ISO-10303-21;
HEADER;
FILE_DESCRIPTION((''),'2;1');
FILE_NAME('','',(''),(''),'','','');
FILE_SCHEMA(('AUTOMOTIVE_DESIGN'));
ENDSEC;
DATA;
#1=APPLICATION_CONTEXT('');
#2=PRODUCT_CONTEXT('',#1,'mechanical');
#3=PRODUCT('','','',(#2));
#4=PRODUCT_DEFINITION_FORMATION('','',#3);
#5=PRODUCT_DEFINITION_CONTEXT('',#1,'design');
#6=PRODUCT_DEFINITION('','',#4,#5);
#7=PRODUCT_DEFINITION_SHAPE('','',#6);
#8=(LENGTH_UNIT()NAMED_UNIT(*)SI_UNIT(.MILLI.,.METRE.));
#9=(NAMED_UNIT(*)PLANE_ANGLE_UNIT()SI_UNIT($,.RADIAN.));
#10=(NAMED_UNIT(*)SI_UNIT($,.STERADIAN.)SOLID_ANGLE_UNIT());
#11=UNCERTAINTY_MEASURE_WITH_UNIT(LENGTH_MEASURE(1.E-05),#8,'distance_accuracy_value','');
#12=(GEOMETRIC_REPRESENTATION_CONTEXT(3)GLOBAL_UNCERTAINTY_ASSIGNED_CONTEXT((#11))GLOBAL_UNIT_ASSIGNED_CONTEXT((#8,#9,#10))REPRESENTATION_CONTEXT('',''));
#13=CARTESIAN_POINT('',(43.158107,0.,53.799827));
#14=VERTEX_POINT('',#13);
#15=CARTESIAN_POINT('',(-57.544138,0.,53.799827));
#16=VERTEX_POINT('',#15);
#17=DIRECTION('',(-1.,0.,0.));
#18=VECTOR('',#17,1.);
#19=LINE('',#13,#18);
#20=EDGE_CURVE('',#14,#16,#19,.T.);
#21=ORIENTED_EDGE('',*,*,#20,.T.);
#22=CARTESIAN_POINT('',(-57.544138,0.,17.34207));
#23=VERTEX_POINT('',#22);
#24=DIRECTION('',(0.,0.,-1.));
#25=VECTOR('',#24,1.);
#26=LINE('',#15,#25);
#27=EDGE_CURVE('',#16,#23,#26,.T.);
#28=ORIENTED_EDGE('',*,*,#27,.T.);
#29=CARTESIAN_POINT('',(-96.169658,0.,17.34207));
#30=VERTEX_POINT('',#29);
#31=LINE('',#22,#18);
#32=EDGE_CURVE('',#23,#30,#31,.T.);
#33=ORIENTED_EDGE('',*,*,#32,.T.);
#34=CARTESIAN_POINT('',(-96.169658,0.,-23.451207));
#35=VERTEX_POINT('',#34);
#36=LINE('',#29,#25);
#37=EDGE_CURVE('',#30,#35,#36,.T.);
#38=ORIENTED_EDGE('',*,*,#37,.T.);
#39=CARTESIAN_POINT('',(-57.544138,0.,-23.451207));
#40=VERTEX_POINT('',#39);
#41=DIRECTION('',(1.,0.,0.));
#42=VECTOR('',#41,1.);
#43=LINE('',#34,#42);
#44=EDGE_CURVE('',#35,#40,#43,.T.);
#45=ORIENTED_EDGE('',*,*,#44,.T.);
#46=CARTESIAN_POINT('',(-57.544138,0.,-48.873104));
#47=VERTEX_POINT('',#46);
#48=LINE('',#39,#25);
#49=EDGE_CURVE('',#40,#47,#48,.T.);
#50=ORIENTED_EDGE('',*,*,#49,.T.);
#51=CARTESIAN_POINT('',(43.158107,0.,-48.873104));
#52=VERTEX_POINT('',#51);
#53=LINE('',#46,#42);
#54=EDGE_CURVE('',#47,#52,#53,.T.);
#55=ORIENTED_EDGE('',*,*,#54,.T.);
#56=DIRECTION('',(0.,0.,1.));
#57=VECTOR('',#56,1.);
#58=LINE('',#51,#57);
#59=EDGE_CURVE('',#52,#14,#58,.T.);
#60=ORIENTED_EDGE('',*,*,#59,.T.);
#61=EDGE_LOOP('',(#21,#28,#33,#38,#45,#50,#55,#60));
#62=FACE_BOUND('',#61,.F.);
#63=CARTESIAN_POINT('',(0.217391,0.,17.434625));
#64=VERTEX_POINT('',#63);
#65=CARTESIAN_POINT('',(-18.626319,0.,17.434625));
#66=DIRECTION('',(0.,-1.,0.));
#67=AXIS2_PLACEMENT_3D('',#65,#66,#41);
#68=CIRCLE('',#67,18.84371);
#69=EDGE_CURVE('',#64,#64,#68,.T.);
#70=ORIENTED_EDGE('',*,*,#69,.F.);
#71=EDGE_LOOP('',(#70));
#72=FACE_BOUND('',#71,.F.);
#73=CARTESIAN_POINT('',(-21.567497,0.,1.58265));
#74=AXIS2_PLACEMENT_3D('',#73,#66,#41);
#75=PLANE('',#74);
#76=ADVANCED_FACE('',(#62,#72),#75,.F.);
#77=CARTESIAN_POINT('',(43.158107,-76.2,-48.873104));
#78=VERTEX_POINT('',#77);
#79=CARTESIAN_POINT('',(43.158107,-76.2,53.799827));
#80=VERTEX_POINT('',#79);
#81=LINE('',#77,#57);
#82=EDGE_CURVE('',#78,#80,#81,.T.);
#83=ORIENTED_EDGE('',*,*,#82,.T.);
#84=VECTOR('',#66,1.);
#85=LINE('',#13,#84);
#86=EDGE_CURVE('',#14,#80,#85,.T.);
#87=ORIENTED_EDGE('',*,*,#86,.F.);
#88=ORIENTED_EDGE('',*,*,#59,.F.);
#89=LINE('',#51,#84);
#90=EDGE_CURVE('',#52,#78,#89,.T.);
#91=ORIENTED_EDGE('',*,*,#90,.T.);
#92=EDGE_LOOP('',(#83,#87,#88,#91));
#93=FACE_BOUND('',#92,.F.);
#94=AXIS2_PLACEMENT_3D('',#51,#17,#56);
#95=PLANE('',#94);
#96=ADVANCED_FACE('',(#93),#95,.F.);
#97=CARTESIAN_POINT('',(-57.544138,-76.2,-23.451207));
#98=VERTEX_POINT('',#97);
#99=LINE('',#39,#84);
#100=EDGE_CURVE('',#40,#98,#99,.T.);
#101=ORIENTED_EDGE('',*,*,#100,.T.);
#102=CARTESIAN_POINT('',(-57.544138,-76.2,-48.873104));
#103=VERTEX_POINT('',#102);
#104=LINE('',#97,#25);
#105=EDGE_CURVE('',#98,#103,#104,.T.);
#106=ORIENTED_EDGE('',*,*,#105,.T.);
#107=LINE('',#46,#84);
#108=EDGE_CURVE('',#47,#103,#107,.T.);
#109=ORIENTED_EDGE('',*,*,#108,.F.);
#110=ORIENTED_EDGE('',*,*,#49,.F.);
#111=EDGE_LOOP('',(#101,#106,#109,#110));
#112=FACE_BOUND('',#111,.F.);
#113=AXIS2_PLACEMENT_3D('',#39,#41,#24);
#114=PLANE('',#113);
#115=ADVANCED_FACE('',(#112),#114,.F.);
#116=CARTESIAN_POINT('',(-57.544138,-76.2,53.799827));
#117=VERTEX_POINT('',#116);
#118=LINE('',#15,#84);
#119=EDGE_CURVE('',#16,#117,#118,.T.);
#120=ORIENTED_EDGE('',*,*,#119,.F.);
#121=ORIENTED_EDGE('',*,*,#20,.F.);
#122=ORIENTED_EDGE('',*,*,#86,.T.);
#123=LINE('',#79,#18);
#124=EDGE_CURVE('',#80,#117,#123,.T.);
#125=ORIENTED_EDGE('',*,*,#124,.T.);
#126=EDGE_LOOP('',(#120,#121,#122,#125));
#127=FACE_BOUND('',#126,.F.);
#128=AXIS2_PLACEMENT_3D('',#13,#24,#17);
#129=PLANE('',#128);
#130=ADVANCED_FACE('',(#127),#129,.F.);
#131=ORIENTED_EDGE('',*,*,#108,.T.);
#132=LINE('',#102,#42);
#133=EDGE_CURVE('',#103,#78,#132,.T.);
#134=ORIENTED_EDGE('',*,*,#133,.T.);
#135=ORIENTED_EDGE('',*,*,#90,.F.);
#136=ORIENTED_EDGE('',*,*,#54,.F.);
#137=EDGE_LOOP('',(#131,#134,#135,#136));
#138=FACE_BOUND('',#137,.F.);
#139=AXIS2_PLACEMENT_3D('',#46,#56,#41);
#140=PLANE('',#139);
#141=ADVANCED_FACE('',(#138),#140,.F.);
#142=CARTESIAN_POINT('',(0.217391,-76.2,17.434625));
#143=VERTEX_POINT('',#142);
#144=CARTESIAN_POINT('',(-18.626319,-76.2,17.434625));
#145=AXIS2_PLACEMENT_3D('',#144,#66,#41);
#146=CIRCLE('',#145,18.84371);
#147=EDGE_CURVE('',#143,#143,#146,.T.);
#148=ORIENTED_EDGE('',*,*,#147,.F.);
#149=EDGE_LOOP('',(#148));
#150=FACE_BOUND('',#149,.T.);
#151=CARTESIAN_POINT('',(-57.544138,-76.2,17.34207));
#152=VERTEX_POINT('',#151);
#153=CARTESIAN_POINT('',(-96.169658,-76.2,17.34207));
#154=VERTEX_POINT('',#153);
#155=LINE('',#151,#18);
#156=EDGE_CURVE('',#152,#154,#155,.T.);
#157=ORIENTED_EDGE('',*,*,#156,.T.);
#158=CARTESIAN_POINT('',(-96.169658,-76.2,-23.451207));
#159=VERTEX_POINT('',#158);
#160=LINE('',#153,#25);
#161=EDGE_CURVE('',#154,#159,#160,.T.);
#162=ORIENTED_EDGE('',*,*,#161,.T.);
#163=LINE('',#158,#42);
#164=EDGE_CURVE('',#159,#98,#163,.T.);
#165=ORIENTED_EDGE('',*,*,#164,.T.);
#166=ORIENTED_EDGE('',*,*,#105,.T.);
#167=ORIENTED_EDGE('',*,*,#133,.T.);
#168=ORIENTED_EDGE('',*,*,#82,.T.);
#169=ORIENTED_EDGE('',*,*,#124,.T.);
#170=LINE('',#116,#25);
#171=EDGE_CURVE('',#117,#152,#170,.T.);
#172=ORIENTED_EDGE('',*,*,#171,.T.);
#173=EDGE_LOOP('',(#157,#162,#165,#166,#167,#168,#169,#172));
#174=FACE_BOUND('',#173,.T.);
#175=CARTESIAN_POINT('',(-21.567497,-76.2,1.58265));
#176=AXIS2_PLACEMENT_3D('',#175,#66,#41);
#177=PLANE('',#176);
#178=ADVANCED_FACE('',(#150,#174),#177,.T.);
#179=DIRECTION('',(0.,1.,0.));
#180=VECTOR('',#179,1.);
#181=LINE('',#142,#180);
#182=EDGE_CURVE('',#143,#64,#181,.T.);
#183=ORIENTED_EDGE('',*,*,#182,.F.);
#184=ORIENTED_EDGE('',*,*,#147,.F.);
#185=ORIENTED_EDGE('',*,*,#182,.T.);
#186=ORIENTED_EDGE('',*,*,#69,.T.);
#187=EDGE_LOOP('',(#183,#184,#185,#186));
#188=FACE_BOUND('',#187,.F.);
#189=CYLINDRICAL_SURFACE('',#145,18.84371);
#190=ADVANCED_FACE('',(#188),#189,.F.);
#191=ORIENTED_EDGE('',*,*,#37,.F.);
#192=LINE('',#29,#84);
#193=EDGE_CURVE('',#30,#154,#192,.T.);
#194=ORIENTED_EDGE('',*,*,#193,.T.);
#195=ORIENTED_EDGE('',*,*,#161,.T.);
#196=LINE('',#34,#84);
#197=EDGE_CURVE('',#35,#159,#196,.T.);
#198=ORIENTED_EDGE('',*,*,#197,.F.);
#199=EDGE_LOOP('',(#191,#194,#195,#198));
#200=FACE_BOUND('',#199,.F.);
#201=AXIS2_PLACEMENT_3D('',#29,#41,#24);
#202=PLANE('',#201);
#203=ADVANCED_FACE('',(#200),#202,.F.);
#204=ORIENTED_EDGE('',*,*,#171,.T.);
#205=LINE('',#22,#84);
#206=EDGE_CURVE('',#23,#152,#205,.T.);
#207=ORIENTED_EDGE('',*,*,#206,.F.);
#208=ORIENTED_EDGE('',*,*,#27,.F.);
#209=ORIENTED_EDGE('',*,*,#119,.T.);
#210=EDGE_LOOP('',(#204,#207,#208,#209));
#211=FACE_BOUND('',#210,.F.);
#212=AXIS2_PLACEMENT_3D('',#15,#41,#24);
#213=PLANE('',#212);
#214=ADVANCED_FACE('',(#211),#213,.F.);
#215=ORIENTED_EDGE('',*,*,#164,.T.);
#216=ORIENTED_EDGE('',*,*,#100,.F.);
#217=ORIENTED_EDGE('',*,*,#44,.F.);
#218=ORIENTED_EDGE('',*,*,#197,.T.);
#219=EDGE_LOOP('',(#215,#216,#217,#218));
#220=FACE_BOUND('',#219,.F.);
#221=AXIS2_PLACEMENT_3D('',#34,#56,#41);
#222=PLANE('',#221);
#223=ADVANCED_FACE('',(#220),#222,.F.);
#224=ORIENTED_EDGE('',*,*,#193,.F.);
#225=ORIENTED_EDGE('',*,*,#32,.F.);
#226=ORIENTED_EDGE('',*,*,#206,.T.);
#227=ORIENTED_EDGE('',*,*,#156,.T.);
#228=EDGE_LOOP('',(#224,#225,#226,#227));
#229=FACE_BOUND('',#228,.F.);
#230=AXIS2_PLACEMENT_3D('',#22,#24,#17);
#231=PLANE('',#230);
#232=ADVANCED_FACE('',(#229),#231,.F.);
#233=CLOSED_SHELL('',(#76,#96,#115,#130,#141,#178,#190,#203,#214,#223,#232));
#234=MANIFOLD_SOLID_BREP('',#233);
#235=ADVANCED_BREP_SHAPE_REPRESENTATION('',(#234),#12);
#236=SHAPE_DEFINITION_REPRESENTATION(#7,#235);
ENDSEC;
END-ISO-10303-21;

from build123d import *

# Parameters (mm, degrees)
F1_DEPTH = 76.2
F2_R     = 18.84371
F3_DEPTH = 76.2


with BuildPart() as f1:
    # F0 (on Front) → F1 (new body)
    with BuildSketch(Plane.XZ):
        Polygon((-57.544138, 17.34207), (-96.169658, 17.34207), (-96.169658, -23.451207), (-57.544138, -23.451207), (-57.544138, -48.873104), (43.158107, -48.873104), (43.158107, 53.799827), (-57.544138, 53.799827), align=None)
    extrude(amount=F1_DEPTH)

    # F2 (on face) → F3 (cut)
    with BuildSketch(Plane.XZ.offset(76.2)):
        with Locations((-18.626319, 17.434625)):
            Circle(F2_R)
    extrude(amount=-F3_DEPTH, mode=Mode.SUBTRACT)


solid = f1.part
